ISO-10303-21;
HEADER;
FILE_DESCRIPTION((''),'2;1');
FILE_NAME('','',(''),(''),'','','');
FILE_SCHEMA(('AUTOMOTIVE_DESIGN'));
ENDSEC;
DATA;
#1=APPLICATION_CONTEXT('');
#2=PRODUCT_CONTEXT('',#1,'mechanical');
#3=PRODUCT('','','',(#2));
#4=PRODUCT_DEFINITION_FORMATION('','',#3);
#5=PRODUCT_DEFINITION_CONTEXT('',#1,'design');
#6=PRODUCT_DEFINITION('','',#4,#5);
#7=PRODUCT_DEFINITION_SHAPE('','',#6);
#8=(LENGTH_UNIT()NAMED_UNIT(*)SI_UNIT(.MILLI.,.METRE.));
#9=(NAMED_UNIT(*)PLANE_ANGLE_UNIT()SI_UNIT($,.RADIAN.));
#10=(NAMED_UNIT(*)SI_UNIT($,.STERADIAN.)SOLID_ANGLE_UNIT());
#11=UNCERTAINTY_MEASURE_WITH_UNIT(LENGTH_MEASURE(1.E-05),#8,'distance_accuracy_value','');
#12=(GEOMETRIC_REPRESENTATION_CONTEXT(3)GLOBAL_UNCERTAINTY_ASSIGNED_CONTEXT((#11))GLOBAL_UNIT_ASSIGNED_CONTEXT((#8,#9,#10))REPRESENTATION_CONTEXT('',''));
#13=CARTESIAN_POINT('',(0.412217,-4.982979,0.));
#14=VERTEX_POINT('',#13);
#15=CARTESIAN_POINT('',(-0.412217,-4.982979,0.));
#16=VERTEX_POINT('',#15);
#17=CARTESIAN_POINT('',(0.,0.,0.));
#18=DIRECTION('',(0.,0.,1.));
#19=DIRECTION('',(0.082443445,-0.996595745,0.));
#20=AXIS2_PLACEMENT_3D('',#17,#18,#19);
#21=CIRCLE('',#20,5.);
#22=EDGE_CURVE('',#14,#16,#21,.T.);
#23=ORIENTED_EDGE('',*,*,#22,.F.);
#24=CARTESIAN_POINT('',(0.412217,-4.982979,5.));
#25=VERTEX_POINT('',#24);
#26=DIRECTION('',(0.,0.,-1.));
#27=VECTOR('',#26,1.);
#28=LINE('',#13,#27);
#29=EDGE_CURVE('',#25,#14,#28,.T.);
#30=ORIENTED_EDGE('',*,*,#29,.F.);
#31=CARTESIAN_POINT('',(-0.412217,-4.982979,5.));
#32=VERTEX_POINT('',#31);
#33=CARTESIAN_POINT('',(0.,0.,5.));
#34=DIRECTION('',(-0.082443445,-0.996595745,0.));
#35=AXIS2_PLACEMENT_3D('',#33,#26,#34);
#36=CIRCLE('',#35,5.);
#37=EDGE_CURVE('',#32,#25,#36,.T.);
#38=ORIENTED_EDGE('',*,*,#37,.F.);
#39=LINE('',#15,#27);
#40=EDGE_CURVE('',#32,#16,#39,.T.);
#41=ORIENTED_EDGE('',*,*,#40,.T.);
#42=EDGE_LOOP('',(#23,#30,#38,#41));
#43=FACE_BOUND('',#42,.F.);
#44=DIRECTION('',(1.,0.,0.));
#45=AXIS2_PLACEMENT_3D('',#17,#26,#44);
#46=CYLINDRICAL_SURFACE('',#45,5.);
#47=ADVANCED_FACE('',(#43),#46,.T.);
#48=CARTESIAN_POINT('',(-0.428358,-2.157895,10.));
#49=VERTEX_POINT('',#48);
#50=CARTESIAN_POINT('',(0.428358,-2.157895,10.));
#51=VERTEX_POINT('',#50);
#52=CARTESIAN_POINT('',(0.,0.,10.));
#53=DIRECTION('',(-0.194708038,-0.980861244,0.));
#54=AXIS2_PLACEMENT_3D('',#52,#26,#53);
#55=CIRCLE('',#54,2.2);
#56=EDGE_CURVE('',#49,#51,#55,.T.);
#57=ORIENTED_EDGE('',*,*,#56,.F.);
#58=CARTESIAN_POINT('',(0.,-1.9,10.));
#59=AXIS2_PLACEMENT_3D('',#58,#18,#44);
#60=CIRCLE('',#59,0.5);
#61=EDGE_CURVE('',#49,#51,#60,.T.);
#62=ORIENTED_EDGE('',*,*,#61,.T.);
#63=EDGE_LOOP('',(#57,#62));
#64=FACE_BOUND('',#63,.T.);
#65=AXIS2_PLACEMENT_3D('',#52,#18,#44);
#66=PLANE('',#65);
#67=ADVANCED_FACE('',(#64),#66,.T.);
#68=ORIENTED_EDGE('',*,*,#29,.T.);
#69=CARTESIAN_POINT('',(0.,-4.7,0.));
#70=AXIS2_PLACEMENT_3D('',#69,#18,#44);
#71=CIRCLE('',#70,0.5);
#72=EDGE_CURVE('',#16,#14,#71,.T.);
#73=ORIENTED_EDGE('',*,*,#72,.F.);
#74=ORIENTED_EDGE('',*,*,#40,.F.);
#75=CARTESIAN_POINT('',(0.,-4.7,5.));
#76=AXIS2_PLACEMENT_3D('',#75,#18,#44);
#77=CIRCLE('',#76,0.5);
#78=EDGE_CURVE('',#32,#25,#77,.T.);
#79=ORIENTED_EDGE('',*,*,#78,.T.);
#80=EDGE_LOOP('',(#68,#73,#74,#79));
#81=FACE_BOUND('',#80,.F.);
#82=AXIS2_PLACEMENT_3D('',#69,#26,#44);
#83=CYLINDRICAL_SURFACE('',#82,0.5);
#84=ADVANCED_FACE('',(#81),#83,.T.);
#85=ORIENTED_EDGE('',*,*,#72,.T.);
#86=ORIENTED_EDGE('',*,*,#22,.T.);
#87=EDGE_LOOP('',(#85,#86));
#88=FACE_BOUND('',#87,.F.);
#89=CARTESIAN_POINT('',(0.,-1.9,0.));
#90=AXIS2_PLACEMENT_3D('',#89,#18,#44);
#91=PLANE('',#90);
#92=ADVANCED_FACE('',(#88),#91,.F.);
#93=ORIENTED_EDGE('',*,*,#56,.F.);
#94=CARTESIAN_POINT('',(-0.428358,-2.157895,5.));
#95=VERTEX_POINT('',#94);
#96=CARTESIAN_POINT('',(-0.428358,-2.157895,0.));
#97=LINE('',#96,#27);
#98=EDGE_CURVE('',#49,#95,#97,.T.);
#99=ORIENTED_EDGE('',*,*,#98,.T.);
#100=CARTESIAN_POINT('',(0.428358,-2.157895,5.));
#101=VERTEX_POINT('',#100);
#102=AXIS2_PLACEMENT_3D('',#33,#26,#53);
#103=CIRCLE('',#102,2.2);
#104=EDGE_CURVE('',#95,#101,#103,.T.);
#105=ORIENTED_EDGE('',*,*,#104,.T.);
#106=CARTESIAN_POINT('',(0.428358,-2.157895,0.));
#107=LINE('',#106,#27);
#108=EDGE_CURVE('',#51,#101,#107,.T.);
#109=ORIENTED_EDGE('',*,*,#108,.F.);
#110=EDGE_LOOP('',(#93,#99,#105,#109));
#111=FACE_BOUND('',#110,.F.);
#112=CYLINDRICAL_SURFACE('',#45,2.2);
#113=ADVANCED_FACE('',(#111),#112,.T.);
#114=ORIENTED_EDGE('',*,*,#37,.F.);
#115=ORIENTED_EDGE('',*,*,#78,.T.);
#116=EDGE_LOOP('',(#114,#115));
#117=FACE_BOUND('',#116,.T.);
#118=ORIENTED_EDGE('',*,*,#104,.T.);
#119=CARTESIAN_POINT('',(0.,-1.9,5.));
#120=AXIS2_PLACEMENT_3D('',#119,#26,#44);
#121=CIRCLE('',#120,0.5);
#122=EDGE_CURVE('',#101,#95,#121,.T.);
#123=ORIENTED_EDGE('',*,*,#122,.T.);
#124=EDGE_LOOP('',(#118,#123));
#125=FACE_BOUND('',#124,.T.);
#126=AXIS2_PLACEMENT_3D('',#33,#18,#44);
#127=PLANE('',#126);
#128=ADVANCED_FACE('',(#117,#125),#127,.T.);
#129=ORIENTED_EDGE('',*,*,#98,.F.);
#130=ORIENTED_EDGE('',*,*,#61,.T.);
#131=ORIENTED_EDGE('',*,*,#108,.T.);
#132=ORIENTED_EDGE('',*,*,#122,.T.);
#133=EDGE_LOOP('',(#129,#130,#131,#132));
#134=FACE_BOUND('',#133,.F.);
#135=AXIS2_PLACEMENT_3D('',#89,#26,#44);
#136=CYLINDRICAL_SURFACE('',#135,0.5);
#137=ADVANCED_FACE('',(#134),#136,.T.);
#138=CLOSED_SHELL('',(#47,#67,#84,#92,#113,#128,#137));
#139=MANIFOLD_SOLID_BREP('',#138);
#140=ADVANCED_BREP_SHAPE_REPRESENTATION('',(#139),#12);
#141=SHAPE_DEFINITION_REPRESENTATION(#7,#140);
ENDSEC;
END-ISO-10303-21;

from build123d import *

# Parameters (mm, degrees)
CYLINDER007_R     = 5
CYLINDER007_DEPTH = 5
CYLINDER008_R     = 2.2
CYLINDER008_DEPTH = 10
CYLINDER006_R     = 0.5
CYLINDER006_DEPTH = 10
CYLINDER005_R     = 0.5
CYLINDER005_DEPTH = 5


with BuildPart() as cylinder006:
    # Cylinder007 → Cylinder007 (new body)
    with BuildSketch(Plane.XY):
        Circle(CYLINDER007_R)
    extrude(amount=CYLINDER007_DEPTH)


with BuildPart() as cylinder007:
    # Cylinder008 → Cylinder008 (new body)
    with BuildSketch(Plane.XY):
        Circle(CYLINDER008_R)
    extrude(amount=CYLINDER008_DEPTH)


with BuildPart() as cylinder005:
    # Cylinder006 → Cylinder006 (new body)
    with BuildSketch(Plane(origin=(0, -1.9, 0), x_dir=(1, 0, 0), z_dir=(0, 0, 1))):
        Circle(CYLINDER006_R)
    extrude(amount=CYLINDER006_DEPTH)


with BuildPart() as m4:
    # Cylinder005 → Cylinder005 (new body)
    with BuildSketch(Plane(origin=(0, -4.7, 0), x_dir=(1, 0, 0), z_dir=(0, 0, 1))):
        Circle(CYLINDER005_R)
    extrude(amount=CYLINDER005_DEPTH)

    # Fusion008: union Cylinder006, Cylinder007, Cylinder005
    add(cylinder006.part)
    add(cylinder007.part)
    add(cylinder005.part)


solid = m4.part
